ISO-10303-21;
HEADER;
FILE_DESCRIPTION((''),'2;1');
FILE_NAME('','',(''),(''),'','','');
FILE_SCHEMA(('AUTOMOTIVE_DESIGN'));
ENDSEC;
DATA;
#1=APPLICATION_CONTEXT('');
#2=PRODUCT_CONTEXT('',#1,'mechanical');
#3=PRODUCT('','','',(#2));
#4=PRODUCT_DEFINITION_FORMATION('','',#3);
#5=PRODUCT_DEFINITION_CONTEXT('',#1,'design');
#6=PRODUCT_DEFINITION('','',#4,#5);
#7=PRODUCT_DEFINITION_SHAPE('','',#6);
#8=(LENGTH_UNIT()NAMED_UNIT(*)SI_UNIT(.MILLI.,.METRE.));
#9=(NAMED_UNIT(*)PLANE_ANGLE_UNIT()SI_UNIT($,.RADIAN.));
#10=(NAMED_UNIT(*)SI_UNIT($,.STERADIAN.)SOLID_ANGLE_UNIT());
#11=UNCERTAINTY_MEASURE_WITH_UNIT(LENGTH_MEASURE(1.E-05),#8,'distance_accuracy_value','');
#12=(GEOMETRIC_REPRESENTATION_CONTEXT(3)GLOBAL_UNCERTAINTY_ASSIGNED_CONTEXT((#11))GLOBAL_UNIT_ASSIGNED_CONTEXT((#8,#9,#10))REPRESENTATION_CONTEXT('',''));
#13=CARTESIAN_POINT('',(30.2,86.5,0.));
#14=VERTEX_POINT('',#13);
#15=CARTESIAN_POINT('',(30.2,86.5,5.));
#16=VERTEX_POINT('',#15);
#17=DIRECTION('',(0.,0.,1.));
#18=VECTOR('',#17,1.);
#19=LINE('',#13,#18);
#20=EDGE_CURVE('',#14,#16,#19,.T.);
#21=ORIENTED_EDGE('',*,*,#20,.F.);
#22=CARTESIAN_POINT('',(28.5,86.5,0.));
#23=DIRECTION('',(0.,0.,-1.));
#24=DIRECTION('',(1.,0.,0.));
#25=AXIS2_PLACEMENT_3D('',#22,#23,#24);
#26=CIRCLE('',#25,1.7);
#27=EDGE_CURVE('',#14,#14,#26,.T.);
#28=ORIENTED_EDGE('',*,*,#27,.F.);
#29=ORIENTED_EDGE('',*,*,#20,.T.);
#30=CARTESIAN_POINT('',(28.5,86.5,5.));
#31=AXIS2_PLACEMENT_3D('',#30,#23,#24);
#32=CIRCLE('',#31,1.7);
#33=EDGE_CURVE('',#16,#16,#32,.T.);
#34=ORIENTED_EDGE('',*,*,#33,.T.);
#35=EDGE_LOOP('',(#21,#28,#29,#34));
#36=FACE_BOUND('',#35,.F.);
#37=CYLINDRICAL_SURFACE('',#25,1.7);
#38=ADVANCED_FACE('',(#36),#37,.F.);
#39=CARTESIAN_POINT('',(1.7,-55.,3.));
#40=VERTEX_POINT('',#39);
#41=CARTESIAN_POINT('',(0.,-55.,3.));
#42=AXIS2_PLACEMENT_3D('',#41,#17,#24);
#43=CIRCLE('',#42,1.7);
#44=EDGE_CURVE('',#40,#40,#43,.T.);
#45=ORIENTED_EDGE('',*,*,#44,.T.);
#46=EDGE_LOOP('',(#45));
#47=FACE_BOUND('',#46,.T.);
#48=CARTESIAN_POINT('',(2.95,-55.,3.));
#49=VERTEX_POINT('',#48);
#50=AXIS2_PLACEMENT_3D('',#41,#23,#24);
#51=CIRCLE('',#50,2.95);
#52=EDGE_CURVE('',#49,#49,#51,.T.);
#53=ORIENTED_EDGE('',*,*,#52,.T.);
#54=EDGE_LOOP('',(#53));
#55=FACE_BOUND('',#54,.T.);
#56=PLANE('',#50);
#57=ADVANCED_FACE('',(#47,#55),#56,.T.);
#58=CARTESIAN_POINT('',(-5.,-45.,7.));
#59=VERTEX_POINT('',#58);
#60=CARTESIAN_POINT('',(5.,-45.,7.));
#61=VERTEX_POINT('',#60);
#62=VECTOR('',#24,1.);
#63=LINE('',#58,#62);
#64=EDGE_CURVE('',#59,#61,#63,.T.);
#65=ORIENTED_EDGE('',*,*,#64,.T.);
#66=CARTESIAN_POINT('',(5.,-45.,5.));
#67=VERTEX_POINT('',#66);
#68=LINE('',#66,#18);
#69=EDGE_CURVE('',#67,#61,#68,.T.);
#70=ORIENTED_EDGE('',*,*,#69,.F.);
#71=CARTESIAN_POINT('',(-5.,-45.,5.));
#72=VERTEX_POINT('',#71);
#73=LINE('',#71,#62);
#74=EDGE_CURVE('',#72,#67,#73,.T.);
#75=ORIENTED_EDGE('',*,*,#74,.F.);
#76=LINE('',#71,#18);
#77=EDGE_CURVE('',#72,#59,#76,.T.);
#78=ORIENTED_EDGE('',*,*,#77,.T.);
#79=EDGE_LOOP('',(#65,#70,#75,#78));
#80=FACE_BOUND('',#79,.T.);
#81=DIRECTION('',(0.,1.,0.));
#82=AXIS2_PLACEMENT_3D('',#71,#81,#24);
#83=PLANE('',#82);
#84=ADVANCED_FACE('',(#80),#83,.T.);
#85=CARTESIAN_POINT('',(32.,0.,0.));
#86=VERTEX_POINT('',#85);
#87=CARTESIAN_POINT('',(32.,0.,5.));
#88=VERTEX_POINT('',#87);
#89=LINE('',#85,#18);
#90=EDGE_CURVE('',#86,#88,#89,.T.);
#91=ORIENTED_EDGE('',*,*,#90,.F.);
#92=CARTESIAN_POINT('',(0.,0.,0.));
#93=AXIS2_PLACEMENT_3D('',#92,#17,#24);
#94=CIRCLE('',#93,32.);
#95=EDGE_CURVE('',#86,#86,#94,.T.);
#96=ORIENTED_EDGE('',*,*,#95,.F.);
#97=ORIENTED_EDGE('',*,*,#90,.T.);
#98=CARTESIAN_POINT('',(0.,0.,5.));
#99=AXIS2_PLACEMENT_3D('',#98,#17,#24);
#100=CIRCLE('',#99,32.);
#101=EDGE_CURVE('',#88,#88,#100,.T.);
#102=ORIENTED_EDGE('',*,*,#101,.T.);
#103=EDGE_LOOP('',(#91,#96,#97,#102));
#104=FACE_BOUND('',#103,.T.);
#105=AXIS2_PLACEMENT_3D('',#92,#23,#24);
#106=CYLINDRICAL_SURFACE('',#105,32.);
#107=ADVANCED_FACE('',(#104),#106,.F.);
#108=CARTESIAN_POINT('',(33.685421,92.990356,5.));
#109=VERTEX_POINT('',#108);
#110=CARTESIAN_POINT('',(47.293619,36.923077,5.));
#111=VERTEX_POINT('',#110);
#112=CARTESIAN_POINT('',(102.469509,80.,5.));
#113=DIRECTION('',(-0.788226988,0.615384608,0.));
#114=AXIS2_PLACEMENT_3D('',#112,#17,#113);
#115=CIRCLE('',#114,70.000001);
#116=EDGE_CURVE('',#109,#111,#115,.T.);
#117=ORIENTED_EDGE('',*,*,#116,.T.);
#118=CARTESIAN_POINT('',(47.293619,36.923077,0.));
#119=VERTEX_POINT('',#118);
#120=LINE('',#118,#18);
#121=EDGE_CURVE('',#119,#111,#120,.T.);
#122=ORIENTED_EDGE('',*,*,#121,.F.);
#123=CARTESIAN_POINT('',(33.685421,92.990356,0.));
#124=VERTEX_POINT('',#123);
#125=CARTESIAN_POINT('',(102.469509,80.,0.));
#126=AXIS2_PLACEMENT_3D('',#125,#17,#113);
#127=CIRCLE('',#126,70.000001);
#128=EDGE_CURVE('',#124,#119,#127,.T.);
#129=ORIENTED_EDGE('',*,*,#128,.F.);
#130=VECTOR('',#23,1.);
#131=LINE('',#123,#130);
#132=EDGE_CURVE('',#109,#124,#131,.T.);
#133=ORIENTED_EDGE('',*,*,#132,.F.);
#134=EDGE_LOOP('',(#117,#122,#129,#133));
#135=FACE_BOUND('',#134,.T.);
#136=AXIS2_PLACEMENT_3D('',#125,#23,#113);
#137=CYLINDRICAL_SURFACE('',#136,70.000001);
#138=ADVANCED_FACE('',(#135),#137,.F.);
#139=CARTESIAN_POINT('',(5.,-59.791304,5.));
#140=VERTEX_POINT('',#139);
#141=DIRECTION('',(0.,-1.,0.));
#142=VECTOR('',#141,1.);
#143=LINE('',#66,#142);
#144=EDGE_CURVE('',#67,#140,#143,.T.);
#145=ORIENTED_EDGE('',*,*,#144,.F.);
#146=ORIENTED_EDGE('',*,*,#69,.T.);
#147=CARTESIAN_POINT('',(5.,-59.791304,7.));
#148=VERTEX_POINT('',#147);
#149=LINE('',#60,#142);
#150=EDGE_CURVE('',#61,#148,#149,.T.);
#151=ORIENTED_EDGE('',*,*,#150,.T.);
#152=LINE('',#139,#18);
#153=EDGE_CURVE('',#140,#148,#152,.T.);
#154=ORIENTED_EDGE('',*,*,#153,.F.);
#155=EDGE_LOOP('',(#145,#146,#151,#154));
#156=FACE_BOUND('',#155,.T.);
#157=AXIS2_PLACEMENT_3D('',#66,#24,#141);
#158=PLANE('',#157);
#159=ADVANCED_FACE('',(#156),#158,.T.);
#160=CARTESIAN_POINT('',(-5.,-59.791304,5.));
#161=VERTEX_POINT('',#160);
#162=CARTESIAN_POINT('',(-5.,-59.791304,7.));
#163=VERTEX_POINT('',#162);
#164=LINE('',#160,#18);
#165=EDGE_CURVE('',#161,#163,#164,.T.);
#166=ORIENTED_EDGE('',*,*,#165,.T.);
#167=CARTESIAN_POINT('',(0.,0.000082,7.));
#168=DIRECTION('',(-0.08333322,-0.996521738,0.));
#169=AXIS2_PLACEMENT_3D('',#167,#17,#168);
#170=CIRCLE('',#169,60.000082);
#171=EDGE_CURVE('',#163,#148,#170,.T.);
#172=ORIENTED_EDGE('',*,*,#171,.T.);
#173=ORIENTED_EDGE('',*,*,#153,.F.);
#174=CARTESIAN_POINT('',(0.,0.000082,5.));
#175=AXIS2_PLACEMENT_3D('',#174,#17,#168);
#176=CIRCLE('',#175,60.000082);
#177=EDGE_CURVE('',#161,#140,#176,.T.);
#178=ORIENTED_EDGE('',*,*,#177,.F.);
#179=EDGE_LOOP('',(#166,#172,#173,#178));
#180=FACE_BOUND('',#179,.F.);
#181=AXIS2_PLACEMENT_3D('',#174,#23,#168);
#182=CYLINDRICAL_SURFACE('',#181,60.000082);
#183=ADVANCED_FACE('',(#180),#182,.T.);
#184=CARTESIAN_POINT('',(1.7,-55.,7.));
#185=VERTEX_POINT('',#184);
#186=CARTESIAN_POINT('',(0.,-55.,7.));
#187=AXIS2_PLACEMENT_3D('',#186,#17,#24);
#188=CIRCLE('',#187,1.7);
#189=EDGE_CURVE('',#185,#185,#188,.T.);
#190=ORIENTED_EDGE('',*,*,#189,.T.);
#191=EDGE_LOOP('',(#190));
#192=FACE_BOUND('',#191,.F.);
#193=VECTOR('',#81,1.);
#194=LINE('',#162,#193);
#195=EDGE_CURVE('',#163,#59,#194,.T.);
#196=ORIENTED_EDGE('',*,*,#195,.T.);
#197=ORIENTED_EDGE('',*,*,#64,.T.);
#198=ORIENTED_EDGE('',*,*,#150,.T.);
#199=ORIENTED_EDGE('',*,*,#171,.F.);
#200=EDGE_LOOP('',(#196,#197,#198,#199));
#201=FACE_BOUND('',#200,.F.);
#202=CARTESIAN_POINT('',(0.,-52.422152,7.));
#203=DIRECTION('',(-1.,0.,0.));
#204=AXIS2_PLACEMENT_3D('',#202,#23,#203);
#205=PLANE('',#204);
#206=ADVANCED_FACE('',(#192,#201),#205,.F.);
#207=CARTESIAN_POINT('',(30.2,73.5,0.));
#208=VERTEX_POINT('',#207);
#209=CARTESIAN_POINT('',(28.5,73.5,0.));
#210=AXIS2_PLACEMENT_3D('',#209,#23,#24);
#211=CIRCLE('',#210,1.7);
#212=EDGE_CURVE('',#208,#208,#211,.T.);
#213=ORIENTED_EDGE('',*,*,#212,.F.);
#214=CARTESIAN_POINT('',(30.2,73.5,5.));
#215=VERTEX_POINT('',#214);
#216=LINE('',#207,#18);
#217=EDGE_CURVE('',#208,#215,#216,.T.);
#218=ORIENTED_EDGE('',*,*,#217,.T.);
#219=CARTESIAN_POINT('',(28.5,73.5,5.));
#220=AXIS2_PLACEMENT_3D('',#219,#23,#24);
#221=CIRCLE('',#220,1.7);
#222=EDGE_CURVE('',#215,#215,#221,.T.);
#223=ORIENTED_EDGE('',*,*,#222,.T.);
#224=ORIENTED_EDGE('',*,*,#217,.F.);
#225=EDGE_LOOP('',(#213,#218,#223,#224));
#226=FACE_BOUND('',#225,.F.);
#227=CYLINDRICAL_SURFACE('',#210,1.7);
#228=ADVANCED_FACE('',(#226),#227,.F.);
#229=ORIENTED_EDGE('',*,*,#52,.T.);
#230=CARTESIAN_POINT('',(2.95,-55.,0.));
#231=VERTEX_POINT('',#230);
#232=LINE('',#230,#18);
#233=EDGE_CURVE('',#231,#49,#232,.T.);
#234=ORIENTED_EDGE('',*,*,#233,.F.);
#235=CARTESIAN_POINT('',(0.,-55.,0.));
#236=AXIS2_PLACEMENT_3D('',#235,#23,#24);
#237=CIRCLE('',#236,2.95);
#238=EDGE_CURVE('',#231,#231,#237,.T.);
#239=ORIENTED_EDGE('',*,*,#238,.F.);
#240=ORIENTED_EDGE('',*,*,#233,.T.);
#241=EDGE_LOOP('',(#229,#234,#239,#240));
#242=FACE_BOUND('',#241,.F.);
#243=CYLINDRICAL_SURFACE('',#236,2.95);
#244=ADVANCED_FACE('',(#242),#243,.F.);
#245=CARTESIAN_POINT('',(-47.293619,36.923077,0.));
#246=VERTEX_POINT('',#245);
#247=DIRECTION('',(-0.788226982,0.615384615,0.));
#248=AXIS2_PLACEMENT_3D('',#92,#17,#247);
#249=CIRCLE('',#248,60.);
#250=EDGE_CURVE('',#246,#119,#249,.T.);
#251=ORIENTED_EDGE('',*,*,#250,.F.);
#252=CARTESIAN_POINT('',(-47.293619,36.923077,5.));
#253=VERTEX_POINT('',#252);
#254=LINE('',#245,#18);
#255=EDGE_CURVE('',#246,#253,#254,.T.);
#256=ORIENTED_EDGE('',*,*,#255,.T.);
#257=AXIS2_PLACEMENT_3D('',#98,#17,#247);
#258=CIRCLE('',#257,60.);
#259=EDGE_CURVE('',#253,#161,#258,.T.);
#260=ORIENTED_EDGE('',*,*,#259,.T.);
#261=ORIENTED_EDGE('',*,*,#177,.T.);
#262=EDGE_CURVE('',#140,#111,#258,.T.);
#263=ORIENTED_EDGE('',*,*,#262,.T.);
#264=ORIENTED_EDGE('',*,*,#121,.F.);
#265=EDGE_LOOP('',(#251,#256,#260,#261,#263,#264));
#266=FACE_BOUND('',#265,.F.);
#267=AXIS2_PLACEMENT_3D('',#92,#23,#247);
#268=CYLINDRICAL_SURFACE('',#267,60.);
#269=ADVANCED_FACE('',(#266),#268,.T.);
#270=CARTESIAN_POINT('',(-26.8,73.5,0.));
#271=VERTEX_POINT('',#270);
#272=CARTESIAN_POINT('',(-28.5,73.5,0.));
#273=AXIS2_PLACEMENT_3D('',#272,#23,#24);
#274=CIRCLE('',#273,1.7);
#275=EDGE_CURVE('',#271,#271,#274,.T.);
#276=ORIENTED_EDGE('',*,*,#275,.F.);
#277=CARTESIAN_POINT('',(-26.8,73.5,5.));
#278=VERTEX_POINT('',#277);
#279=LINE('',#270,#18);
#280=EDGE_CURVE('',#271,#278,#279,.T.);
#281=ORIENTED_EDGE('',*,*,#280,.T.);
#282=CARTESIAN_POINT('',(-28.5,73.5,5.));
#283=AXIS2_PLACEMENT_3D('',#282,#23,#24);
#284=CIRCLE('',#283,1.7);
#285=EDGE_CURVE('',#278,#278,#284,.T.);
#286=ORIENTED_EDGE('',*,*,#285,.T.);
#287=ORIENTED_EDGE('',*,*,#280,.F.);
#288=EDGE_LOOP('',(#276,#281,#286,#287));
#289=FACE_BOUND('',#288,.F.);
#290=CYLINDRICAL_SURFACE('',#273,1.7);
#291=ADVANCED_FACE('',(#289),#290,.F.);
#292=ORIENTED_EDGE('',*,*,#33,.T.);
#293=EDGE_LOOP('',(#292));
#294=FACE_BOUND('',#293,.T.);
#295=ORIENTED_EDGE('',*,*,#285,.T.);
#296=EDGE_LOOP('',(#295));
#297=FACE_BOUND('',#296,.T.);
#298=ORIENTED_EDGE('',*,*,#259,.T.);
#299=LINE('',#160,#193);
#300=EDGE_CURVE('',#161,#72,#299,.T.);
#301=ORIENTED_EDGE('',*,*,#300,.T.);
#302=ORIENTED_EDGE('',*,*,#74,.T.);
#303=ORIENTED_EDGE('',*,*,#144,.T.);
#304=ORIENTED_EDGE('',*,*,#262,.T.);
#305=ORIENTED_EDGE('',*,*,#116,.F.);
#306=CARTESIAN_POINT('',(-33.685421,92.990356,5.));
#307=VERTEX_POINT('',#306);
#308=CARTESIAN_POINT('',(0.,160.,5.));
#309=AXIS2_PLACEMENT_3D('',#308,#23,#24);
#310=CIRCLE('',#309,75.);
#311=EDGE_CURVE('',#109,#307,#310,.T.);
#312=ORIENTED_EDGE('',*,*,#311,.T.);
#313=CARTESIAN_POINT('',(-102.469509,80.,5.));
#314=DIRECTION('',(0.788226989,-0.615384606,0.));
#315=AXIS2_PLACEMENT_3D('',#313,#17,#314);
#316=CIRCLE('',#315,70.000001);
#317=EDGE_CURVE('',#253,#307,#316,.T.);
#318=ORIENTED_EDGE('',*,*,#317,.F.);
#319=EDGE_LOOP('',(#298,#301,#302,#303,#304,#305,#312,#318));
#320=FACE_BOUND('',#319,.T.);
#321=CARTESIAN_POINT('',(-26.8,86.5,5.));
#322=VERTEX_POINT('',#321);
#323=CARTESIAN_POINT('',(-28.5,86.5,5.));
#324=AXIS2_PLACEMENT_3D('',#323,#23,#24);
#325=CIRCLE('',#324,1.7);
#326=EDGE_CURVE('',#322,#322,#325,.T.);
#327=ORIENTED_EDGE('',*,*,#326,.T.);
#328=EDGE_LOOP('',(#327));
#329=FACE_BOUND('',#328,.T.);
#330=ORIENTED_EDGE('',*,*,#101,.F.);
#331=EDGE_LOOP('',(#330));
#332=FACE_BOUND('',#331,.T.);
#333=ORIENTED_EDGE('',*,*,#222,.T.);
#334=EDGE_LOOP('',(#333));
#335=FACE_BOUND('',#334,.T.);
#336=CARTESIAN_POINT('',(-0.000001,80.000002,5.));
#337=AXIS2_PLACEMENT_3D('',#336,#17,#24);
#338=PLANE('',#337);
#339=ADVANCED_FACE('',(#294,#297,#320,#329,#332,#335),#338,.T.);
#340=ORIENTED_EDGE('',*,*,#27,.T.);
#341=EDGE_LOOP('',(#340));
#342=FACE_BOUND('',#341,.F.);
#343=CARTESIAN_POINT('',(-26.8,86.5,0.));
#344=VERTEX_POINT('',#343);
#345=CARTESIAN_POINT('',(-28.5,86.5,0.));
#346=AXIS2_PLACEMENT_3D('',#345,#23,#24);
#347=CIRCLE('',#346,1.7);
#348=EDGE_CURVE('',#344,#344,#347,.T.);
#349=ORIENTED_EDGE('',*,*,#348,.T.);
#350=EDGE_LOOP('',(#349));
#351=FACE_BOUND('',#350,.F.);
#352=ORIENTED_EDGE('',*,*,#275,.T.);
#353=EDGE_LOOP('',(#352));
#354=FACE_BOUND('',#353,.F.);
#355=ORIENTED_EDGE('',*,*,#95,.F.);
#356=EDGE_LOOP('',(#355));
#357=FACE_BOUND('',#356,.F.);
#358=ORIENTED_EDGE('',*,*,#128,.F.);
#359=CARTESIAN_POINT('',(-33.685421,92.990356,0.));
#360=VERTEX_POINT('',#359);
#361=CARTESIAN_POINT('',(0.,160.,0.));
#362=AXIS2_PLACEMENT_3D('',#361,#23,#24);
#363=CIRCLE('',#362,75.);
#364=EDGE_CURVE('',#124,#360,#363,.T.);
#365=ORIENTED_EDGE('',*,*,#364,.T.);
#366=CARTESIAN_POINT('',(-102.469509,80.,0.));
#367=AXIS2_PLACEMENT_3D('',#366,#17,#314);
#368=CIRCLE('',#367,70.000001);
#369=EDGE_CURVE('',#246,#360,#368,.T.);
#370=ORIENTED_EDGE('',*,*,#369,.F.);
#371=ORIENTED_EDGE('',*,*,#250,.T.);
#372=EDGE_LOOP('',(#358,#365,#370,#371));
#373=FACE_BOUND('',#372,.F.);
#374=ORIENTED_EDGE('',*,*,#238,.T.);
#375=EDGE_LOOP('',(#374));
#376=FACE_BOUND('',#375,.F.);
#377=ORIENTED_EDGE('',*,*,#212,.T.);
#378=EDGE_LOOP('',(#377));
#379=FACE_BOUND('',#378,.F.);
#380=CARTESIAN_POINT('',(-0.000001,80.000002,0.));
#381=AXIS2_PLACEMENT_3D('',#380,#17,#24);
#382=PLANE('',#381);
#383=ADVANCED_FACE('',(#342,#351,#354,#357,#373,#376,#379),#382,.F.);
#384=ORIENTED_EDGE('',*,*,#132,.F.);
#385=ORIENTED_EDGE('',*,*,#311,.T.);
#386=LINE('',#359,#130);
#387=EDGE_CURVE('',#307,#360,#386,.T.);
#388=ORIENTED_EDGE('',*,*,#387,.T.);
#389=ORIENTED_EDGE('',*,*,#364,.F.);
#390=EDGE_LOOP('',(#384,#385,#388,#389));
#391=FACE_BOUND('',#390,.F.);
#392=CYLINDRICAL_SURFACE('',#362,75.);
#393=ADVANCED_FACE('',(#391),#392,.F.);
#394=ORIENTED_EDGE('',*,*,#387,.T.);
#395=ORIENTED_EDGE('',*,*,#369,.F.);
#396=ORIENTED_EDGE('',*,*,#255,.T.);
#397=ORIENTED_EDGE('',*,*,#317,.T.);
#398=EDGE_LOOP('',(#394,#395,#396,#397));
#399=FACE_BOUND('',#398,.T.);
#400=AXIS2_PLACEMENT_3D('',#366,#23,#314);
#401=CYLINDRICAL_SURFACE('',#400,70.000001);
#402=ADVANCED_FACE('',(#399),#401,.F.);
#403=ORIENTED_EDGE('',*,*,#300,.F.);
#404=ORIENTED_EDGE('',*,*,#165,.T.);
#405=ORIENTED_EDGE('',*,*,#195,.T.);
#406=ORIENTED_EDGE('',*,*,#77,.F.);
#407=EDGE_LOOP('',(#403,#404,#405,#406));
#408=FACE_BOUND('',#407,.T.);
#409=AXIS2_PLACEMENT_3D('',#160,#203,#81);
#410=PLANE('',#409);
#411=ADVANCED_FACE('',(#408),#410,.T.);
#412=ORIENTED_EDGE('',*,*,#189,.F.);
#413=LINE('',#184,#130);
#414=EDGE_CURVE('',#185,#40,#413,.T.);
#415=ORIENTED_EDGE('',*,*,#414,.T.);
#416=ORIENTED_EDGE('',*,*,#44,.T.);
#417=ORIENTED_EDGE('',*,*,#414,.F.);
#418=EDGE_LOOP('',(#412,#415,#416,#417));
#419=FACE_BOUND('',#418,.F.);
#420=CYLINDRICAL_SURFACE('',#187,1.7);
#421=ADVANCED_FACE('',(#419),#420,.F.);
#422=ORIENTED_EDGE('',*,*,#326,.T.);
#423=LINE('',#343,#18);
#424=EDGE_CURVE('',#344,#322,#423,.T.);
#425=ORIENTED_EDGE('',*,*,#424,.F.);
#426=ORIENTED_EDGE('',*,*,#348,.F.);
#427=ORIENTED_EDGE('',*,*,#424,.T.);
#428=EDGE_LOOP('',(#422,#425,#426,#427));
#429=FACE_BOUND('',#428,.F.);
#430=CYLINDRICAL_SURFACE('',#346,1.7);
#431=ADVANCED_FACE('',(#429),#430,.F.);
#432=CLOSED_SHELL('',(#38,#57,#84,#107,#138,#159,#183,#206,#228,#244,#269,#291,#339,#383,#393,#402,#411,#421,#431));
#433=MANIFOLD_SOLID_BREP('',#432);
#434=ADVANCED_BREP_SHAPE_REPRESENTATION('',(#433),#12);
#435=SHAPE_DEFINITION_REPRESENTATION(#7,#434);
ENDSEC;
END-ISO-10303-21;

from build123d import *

# Parameters (mm, degrees)
SKETCH_R        = 32
PAD_DEPTH       = 5
PAD001_DEPTH    = 2
SKETCH002_R     = 1.7
POCKET_DEPTH    = 7.001
SKETCH003_R     = 2.95
POCKET001_DEPTH = 3
SKETCH004_R     = 1.7
POCKET002_DEPTH = 7.001
SKETCH006_R     = 75
POCKET004_DEPTH = 7.001


with BuildPart() as part:
    # Sketch → Pad (new body)
    with BuildSketch(Plane.XY):
        with BuildLine():
            ThreePointArc((-47.293619, 36.923077), (0, -60), (47.293619, 36.923077))
            ThreePointArc((47.293619, 123.076923), (32.469508, 80), (47.293619, 36.923077))
            ThreePointArc((47.293619, 123.076923), (3.1e-05, 220), (-47.293657, 123.076972))
            ThreePointArc((-47.293619, 36.923077), (-32.469508, 80.000031), (-47.293657, 123.076972))
        make_face()
        Circle(SKETCH_R, mode=Mode.SUBTRACT)
        with Locations((0, 160)):
            Circle(SKETCH_R, mode=Mode.SUBTRACT)
    extrude(amount=PAD_DEPTH)

    # Sketch001 (on Face8 of Pad) → Pad001 (join)
    with BuildSketch(Plane.XY.offset(5)):
        with BuildLine():
            Line((-5, -59.791304), (-5, -45))
            Line((-5, -45), (5, -45))
            Line((5, -45), (5, -59.791304))
            ThreePointArc((-5, -59.791304), (0, -60), (5, -59.791304))
        make_face()
        with BuildLine():
            ThreePointArc((5, 219.791304), (0, 220), (-5, 219.791304))
            Line((-5, 219.791304), (-5, 205))
            Line((-5, 205), (5, 205))
            Line((5, 205), (5, 219.791304))
        make_face()
    extrude(amount=PAD001_DEPTH)

    # Sketch002 (on Face14 of Pad001) → Pocket (cut, through all)
    with BuildSketch(Plane.XY.offset(7)):
        with Locations((0, -55)):
            Circle(SKETCH002_R)
        with Locations((0, 215)):
            Circle(SKETCH002_R)
    extrude(amount=-POCKET_DEPTH, mode=Mode.SUBTRACT)

    # Sketch003 (on Face4 of Pocket) → Pocket001 (cut)
    with BuildSketch(Plane(origin=(0, 0, 0), x_dir=(1, 0, 0), z_dir=(0, 0, -1))):
        with Locations((0, 55)):
            Circle(SKETCH003_R)
        with Locations((0, -215)):
            Circle(SKETCH003_R)
    extrude(amount=-POCKET001_DEPTH, mode=Mode.SUBTRACT)

    # Sketch004 (on Face4 of Pocket001) → Pocket002 (cut, through all)
    with BuildSketch(Plane(origin=(0, 0, 0), x_dir=(1, 0, 0), z_dir=(0, 0, -1))):
        with Locations((28.5, -73.5)):
            Circle(SKETCH004_R)
        with Locations((28.5, -86.5)):
            Circle(SKETCH004_R)
        with Locations((-28.5, -86.5)):
            Circle(SKETCH004_R)
        with Locations((-28.5, -73.5)):
            Circle(SKETCH004_R)
    extrude(amount=-POCKET002_DEPTH, mode=Mode.SUBTRACT)

    # Sketch006 (on Face4 of Pocket002) → Pocket004 (cut, through all)
    with BuildSketch(Plane(origin=(0, 0, 0), x_dir=(1, 0, 0), z_dir=(0, 0, -1))):
        with Locations((0, -160)):
            Circle(SKETCH006_R)
    extrude(amount=-POCKET004_DEPTH, mode=Mode.SUBTRACT)


solid = part.part
